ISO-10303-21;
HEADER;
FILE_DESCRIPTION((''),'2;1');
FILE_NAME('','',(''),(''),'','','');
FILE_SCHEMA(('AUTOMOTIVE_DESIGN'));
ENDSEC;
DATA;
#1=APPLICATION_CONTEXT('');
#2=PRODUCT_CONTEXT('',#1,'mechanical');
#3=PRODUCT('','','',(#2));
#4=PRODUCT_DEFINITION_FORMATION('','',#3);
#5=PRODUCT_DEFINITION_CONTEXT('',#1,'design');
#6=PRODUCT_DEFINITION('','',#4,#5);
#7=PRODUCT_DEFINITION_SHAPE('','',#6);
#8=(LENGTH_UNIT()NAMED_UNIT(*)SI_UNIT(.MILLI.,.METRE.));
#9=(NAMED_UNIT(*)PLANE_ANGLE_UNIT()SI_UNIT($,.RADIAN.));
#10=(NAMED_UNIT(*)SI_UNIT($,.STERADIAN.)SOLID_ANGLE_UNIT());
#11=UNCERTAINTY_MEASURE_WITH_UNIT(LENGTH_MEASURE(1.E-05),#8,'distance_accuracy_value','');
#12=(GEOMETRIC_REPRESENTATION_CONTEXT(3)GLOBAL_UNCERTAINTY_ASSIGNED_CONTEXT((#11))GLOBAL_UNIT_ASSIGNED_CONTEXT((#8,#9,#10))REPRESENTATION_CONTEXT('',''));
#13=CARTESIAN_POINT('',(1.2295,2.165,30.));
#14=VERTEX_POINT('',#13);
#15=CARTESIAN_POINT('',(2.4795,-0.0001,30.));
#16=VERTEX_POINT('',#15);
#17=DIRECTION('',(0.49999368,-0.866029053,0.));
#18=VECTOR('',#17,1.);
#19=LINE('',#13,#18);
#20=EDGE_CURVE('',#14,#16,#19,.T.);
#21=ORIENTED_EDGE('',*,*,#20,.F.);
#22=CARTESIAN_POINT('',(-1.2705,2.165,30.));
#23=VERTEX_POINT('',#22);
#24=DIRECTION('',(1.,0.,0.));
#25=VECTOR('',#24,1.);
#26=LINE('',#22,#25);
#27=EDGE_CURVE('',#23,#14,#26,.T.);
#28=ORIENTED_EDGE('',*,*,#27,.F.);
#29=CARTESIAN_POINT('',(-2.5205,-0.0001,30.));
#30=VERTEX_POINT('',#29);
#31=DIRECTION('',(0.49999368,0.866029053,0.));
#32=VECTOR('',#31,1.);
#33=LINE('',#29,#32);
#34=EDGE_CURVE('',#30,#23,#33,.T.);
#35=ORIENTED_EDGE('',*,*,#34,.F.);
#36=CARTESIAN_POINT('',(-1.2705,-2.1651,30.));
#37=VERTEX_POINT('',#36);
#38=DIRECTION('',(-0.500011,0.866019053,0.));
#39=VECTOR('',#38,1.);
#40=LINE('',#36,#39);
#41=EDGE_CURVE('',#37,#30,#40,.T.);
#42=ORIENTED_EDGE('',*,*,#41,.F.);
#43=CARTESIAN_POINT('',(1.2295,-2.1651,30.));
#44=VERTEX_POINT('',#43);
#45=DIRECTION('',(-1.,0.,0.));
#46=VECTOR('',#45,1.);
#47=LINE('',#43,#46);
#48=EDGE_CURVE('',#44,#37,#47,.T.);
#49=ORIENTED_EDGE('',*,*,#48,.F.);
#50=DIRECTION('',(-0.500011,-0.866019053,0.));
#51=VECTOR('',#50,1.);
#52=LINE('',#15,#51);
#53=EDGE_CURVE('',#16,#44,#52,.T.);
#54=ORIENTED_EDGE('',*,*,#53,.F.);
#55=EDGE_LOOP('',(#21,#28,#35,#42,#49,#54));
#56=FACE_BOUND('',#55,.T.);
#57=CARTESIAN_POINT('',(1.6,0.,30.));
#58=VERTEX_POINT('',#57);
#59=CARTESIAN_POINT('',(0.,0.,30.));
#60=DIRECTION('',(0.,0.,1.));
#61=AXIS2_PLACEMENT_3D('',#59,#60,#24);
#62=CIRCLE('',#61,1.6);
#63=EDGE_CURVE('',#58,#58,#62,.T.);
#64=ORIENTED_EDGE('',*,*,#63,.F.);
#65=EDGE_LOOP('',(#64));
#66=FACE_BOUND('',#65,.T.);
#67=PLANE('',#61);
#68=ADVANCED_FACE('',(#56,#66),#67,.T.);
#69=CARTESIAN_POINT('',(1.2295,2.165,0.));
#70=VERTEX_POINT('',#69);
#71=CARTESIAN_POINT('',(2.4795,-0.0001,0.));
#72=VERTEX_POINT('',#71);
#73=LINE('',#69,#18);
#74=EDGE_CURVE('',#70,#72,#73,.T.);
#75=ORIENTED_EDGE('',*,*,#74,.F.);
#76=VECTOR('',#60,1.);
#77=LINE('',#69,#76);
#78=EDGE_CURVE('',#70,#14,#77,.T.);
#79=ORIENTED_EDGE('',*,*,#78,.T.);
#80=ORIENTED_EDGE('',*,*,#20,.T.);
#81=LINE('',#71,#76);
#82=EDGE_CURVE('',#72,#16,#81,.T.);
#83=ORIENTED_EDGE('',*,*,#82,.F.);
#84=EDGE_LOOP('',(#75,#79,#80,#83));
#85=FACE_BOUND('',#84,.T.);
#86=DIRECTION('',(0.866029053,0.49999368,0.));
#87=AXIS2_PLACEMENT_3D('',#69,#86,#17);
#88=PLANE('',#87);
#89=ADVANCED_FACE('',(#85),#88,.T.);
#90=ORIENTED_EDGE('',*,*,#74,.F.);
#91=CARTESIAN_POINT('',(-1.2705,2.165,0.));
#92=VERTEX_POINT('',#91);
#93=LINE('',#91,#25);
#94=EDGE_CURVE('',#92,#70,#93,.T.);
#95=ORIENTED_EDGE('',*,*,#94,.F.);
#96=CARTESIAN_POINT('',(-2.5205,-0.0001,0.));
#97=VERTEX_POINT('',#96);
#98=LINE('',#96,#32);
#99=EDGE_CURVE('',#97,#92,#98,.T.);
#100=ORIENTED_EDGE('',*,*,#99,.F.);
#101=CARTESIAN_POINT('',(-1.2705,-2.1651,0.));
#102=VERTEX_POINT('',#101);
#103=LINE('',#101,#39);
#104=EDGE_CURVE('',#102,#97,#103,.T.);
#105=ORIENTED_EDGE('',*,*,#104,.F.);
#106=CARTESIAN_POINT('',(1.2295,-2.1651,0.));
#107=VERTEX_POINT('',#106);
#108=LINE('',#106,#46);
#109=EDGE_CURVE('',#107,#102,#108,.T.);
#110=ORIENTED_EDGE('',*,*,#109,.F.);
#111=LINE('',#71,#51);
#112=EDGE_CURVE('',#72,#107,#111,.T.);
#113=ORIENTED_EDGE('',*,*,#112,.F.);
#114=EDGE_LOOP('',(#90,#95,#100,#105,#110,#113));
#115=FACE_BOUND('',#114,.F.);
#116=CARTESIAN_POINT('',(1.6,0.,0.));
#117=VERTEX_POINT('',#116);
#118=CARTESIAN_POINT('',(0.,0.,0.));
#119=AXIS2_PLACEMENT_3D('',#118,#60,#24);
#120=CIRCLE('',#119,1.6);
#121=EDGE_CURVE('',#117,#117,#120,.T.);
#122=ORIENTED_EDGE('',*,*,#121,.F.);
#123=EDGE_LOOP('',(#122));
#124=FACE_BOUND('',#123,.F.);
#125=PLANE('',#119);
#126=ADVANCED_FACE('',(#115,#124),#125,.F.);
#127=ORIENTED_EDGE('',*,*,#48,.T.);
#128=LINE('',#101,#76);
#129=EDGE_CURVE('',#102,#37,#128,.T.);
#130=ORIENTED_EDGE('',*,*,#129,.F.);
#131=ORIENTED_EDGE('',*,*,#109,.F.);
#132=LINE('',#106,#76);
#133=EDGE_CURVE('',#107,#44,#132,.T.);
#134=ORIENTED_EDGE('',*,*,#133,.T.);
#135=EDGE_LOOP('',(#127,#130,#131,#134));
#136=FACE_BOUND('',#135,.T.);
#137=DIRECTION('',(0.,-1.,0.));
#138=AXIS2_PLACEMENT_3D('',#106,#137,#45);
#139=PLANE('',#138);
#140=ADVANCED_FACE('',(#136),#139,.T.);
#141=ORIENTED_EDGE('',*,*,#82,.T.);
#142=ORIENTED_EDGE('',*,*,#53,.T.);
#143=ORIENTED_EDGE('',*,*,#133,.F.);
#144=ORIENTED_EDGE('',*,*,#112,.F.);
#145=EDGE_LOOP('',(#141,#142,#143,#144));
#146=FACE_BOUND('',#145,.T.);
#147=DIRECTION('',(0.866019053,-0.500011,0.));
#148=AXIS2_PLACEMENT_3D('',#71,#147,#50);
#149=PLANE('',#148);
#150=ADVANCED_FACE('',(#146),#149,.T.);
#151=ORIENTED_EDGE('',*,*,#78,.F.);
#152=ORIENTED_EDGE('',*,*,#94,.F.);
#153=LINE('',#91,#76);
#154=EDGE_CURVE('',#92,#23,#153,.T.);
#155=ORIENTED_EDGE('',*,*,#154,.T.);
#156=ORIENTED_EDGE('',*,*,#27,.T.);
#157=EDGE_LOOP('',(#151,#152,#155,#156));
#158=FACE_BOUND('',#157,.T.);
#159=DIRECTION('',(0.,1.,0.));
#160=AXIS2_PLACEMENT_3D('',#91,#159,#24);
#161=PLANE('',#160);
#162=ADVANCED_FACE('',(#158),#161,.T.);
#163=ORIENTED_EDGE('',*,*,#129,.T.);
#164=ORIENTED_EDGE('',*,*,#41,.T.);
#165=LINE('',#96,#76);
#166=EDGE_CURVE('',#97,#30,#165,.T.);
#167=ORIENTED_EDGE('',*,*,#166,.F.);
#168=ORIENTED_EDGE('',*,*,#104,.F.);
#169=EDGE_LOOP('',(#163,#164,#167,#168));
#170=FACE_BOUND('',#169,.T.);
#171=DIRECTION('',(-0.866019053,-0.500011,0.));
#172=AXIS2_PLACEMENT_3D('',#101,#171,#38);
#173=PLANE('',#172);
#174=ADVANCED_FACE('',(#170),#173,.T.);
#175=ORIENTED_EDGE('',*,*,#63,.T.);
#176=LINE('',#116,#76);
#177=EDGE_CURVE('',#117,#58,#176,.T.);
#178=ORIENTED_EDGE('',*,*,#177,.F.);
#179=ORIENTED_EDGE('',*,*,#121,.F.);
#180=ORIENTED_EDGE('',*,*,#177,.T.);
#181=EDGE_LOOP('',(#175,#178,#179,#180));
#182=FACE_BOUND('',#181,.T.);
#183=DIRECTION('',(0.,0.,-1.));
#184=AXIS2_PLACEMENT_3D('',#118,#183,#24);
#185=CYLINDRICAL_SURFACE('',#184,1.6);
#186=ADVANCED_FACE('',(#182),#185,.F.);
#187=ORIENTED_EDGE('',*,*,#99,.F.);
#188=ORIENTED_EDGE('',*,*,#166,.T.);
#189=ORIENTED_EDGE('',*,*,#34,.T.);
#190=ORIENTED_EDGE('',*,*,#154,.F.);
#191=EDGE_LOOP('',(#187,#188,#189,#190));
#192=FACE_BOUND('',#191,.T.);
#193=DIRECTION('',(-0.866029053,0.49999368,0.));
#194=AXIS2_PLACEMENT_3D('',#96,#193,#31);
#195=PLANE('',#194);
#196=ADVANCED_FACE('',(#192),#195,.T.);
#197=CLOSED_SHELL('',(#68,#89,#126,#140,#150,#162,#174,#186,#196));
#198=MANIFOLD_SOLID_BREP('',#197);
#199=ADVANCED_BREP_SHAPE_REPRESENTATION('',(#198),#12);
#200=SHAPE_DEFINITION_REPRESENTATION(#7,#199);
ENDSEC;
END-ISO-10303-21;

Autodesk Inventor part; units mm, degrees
ref_plane "YZ Plane" through (0, 0, 0) normal (1, 0, 0) x (0, 1, 0)
ref_plane "XZ Plane" through (0, 0, 0) normal (0, 1, 0) x (-1, 0, 0)
ref_plane "XY Plane" through (0, 0, 0) normal (0, 0, 1) x (1, 0, 0)
sketch "스케치1" plane through (0, 0, 0) normal (0, 0, 1) x (1, 0, 0)
  circle A0 centre (0, 0) radius 1.6
  line L0 (-1.2705, 2.165) -> (1.2295, 2.165)
  line L1 (1.2295, 2.165) -> (4.1847, 2.165) construction
  line L2 (1.2295, 2.165) -> (2.4795, -0.0001)
  line L3 (1.2295, 2.165) -> (3.7295, 2.165) construction
  line L4 (2.4795, -0.0001) -> (1.2295, -2.1651)
  line L5 (1.2295, -2.1651) -> (-1.2705, -2.1651)
  line L6 (-1.2705, -2.1651) -> (-2.5205, -0.0001)
  line L7 (-2.5205, -0.0001) -> (-1.2705, 2.165)
  dimension "d0" = 3.2
  dimension "d2" = 2.5
  dimension "d3" = 2.5
  dimension "d4" = 60
  dimension "d5" = 2.5
  dimension "d6" = 2.165
extrude "돌출1" add sketch "스케치1" along normal blind 30
properties part number "Supporter10" material "LCP 플라스틱"
